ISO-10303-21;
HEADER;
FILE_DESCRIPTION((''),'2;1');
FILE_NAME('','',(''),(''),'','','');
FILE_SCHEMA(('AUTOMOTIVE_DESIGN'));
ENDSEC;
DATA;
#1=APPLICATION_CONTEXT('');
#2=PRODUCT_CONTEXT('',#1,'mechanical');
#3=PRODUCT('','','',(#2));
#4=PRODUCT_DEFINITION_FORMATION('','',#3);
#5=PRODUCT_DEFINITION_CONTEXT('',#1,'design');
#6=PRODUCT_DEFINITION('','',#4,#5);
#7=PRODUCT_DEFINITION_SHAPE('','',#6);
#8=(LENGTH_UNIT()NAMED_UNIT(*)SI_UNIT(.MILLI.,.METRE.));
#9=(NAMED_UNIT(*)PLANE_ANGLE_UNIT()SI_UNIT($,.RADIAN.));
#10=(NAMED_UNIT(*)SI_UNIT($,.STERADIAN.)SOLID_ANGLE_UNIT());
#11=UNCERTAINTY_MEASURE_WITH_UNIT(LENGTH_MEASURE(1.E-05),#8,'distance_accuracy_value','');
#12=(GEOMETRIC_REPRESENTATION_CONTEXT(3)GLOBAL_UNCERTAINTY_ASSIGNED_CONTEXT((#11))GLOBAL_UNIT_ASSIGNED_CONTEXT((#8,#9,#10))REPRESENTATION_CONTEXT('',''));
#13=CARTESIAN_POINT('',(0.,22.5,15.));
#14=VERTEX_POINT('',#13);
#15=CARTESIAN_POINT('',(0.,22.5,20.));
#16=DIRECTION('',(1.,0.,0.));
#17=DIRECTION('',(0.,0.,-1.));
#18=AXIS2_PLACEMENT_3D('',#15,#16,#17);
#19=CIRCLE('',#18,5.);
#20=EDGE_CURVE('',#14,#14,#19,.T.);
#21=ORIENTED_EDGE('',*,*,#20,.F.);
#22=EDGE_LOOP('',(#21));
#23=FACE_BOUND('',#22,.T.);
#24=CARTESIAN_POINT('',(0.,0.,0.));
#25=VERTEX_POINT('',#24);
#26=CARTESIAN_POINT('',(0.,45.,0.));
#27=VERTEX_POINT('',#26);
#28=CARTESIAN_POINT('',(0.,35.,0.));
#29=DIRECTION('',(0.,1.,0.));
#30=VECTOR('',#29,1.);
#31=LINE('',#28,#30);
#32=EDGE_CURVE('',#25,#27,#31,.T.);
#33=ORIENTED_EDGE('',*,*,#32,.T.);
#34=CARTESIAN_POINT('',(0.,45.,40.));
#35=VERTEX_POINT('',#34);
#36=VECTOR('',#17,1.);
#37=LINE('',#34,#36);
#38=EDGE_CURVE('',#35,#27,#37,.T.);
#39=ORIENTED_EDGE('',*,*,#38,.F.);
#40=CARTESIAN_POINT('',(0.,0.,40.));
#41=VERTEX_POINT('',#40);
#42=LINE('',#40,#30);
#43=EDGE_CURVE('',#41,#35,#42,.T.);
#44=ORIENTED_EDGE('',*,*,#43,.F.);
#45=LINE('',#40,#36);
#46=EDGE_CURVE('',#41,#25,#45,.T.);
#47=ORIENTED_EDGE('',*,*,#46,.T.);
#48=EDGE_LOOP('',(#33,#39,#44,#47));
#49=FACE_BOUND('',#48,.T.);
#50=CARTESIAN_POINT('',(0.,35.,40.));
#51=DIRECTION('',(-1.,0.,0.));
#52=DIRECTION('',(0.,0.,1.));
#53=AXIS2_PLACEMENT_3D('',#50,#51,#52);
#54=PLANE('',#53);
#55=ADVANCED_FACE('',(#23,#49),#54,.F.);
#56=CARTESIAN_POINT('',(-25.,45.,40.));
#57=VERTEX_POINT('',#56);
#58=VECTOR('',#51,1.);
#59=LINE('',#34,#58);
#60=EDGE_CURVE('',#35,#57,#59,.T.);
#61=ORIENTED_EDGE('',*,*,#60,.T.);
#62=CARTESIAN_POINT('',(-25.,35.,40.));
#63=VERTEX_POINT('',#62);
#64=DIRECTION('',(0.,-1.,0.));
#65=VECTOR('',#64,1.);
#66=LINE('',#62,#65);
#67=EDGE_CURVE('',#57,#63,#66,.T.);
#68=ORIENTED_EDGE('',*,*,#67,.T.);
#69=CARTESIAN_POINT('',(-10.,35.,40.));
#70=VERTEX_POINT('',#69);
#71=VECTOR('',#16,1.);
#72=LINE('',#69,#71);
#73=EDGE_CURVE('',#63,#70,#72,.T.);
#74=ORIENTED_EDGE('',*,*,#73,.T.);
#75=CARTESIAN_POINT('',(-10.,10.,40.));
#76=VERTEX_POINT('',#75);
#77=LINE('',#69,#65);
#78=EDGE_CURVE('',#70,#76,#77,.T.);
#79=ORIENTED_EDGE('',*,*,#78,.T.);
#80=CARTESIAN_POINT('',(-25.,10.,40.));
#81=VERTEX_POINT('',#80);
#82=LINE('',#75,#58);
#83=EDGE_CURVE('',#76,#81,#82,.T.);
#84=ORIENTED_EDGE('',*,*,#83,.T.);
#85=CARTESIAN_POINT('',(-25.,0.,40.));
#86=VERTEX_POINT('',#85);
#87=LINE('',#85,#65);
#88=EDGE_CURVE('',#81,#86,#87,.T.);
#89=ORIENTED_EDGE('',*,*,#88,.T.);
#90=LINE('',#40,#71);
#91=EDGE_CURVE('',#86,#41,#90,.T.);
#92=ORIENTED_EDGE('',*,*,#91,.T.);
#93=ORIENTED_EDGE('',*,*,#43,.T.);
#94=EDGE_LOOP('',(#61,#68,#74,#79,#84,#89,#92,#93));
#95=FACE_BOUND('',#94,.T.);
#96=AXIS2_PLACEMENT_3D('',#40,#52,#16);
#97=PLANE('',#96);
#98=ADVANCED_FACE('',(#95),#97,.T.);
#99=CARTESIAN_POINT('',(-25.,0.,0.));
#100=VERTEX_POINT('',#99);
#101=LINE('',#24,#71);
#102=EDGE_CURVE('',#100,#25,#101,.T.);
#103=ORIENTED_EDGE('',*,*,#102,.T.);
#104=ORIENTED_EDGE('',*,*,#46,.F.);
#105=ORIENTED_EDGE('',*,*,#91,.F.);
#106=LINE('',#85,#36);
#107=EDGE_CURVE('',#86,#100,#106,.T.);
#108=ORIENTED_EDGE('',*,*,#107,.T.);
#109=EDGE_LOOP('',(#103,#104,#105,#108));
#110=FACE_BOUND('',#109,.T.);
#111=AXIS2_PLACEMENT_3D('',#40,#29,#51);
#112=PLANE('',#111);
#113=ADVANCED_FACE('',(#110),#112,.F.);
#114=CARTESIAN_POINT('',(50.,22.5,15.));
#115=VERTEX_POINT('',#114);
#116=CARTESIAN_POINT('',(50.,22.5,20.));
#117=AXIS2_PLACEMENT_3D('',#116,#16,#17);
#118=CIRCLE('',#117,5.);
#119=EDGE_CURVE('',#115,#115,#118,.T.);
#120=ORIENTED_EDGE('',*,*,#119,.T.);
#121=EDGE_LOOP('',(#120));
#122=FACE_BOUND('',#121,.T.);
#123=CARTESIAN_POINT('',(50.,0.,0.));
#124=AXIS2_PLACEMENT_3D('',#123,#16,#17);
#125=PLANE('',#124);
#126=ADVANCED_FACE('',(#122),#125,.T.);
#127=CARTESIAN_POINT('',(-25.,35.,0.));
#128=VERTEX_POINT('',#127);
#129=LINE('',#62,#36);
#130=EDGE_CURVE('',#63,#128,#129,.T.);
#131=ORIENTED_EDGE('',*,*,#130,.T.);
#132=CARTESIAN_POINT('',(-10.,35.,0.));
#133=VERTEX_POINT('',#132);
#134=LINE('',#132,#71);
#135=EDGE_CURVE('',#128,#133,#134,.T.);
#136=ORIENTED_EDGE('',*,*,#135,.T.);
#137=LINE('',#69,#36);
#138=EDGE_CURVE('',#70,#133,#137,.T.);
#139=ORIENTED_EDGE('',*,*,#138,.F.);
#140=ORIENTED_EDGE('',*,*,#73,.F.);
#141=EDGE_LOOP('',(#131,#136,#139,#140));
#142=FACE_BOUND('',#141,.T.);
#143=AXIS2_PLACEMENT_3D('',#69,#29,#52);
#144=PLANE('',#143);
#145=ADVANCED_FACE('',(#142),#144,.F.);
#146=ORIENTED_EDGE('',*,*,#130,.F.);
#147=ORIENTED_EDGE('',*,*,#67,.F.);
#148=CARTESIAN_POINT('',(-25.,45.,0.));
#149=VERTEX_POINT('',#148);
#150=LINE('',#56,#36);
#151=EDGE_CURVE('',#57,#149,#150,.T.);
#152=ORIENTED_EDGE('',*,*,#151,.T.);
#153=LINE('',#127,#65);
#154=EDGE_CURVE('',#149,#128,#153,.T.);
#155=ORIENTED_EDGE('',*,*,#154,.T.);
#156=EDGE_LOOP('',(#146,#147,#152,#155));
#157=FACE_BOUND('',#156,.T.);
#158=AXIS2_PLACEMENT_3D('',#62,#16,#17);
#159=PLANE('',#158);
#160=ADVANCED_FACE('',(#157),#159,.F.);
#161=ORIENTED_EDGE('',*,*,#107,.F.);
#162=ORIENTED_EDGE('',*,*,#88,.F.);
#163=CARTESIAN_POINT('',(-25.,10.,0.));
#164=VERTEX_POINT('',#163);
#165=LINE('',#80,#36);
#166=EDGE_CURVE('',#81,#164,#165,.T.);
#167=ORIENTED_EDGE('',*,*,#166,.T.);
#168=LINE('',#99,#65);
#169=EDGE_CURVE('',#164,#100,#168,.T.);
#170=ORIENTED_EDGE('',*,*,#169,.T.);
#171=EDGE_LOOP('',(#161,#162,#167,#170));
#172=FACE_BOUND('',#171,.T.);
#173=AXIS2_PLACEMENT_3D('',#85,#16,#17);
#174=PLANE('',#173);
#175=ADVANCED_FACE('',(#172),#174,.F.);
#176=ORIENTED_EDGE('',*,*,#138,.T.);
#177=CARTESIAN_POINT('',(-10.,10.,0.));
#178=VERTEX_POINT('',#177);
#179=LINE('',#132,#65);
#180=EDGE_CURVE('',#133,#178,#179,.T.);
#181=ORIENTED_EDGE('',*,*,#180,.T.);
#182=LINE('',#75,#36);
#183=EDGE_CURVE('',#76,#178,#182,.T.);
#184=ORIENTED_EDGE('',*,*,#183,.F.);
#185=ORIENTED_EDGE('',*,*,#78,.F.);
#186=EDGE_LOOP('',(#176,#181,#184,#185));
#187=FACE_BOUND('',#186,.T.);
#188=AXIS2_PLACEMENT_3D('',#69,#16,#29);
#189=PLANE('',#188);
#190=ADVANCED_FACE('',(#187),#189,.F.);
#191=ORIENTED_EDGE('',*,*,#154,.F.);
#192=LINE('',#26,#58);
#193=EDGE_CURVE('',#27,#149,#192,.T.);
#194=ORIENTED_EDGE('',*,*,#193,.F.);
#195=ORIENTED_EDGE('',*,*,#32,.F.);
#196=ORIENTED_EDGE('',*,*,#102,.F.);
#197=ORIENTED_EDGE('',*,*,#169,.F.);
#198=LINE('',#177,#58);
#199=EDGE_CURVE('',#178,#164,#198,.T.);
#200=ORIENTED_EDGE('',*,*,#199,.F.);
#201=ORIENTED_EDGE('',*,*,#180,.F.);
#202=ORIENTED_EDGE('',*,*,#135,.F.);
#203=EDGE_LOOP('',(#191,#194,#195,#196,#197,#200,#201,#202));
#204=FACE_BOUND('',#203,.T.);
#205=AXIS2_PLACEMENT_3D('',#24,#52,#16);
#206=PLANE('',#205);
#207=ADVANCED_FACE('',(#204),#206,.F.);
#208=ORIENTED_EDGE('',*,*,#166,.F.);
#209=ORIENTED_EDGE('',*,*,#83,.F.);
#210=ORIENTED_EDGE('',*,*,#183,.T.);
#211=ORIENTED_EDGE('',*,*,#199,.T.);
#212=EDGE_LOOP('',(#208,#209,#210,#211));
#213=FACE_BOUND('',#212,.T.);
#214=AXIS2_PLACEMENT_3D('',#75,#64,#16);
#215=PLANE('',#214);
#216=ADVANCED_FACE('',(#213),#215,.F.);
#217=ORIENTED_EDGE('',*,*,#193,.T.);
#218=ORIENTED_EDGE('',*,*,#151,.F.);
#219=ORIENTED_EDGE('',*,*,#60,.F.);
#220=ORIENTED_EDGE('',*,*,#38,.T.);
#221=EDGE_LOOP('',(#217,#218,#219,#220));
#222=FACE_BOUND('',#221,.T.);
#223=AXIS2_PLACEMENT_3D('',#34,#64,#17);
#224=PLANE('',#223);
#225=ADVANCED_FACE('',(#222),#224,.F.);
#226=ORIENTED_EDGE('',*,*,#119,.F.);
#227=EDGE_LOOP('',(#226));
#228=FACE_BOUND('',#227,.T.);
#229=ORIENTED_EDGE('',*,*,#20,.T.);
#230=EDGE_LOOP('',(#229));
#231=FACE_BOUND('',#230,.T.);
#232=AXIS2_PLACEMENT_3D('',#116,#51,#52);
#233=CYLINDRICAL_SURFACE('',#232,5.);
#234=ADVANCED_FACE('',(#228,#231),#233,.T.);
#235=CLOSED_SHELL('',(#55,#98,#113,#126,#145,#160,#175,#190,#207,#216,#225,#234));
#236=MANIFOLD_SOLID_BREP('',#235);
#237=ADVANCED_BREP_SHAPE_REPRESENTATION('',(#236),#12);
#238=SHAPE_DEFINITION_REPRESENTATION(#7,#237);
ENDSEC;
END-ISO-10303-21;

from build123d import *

# Parameters (mm, degrees)
BOSS_EXTRUDE1_DEPTH = 40
SKETCH2_R           = 5
BOSS_EXTRUDE2_DEPTH = 50


with BuildPart() as part:
    # Sketch1 → Boss-Extrude1 (new body)
    with BuildSketch(Plane.XY):
        Polygon((0, 10), (0, 35), (0, 45), (-25, 45), (-25, 35), (-10, 35), (-10, 10), (-25, 10), (-25, 0), (0, 0), align=None)
    extrude(amount=BOSS_EXTRUDE1_DEPTH)

    # Sketch2 → Boss-Extrude2 (add)
    with BuildSketch(Plane(origin=(0, 0, 0), x_dir=(0, 0, -1), z_dir=(1, 0, 0))):
        with Locations((-20, 22.5)):
            Circle(SKETCH2_R)
    extrude(amount=BOSS_EXTRUDE2_DEPTH)


solid = part.part
